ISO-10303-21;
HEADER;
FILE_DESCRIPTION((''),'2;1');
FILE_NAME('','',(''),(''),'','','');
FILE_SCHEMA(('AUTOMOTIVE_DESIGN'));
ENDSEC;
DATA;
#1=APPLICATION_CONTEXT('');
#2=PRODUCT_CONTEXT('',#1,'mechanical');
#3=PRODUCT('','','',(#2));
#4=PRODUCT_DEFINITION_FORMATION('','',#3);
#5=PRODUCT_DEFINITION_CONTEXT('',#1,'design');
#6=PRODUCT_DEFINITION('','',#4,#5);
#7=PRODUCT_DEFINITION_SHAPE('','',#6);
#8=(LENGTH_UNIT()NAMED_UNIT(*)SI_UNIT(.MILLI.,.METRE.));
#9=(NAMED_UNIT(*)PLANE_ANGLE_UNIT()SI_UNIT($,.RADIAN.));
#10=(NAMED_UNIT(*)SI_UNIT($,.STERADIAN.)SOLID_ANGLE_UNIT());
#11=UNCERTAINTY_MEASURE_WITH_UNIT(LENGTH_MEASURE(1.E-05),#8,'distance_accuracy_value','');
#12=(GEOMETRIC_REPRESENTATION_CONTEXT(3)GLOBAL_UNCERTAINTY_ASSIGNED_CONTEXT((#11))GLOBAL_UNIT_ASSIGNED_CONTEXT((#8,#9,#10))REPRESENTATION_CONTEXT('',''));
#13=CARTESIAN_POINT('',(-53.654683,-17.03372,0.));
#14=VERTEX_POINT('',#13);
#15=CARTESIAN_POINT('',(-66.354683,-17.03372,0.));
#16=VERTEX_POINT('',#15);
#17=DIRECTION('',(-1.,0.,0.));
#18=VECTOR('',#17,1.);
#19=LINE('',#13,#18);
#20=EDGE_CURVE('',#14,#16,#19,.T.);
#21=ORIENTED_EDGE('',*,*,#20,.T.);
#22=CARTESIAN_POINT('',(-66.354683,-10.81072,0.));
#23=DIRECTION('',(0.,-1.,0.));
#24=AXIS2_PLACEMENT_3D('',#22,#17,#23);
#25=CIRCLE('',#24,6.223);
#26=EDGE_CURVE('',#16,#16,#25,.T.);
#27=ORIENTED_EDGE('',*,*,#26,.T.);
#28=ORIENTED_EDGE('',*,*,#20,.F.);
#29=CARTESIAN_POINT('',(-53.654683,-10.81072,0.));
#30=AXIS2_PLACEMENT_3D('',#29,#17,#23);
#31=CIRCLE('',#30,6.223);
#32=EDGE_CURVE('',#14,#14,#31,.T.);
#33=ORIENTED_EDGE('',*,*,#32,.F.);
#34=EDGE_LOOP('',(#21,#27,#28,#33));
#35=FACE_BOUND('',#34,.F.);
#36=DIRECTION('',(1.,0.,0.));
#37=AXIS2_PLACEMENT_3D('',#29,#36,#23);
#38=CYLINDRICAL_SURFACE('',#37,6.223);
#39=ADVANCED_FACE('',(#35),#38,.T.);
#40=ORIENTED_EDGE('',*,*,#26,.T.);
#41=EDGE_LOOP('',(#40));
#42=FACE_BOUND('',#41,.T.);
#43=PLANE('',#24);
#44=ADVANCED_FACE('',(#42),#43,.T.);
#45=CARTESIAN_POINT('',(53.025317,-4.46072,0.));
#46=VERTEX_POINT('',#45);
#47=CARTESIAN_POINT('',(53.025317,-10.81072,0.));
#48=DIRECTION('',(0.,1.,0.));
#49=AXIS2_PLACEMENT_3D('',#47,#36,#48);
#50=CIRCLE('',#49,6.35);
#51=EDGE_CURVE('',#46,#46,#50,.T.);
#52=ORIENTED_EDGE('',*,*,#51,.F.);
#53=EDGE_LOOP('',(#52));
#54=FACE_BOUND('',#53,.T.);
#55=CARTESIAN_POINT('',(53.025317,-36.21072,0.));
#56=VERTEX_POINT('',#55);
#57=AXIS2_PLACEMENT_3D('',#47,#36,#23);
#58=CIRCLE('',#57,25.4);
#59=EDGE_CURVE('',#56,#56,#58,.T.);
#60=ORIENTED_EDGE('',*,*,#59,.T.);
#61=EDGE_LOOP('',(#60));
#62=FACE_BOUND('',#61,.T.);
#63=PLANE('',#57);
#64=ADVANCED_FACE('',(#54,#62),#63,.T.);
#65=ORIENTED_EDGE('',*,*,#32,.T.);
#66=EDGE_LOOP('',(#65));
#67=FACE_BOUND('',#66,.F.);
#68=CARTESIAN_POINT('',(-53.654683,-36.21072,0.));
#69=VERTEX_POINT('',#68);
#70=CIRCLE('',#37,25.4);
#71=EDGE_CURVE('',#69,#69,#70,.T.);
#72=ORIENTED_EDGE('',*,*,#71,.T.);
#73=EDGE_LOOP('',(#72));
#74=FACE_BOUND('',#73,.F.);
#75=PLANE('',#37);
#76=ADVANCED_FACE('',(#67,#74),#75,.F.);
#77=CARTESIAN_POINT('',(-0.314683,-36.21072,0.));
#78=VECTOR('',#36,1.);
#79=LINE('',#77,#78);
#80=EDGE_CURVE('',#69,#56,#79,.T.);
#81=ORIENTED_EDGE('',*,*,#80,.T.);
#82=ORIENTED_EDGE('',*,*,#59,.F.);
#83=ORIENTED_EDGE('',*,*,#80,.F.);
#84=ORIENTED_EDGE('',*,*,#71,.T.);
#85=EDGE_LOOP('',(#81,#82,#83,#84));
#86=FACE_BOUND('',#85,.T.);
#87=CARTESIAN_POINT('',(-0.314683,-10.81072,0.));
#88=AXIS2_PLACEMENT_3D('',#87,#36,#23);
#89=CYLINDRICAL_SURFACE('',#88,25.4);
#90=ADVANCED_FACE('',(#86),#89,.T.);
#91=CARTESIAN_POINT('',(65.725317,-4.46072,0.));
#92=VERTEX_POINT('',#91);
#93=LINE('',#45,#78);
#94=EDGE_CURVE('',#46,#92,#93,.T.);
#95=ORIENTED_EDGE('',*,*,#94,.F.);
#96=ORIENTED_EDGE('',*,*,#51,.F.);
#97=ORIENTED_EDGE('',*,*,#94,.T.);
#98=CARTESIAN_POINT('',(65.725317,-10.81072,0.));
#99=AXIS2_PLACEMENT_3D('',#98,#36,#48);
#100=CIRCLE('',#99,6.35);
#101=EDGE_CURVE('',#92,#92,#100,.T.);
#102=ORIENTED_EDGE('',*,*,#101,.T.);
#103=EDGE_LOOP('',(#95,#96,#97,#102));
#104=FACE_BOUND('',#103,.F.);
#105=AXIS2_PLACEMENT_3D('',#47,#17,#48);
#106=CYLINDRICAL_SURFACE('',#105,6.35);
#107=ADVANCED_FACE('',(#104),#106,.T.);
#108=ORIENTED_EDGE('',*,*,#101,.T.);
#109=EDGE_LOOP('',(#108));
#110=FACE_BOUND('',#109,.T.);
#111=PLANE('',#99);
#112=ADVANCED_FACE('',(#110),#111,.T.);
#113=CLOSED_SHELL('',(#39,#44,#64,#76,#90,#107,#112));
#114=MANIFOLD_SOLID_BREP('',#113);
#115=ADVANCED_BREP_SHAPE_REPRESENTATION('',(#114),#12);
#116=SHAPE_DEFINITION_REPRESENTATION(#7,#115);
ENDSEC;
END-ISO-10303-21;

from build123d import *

# Parameters (mm, degrees)
F0_W     = 106.68
F0_H     = 25.4
F2_R     = 6.223
F3_DEPTH = 12.7
F4_R     = 6.35
F5_DEPTH = 12.7


with BuildPart() as f1:
    # F0 (on Top) → F1 (revolve)
    with BuildSketch(Plane.XY):
        with Locations((-0.314683, -23.51072)):
            Rectangle(F0_W, F0_H)
    revolve(axis=Axis((-0.314683, -10.81072, 0), (1, 0, 0)))

    # F2 (on face) → F3 (join)
    with BuildSketch(Plane(origin=(-53.654683, 0, 0), x_dir=(0, -1, 0), z_dir=(-1, 0, 0))):
        with Locations((10.81072, 0)):
            Circle(F2_R)
    extrude(amount=F3_DEPTH)

    # F4 (on face) → F5 (join)
    with BuildSketch(Plane.YZ.offset(53.025317)):
        with Locations((-10.81072, 0)):
            Circle(F4_R)
    extrude(amount=F5_DEPTH)


solid = f1.part
